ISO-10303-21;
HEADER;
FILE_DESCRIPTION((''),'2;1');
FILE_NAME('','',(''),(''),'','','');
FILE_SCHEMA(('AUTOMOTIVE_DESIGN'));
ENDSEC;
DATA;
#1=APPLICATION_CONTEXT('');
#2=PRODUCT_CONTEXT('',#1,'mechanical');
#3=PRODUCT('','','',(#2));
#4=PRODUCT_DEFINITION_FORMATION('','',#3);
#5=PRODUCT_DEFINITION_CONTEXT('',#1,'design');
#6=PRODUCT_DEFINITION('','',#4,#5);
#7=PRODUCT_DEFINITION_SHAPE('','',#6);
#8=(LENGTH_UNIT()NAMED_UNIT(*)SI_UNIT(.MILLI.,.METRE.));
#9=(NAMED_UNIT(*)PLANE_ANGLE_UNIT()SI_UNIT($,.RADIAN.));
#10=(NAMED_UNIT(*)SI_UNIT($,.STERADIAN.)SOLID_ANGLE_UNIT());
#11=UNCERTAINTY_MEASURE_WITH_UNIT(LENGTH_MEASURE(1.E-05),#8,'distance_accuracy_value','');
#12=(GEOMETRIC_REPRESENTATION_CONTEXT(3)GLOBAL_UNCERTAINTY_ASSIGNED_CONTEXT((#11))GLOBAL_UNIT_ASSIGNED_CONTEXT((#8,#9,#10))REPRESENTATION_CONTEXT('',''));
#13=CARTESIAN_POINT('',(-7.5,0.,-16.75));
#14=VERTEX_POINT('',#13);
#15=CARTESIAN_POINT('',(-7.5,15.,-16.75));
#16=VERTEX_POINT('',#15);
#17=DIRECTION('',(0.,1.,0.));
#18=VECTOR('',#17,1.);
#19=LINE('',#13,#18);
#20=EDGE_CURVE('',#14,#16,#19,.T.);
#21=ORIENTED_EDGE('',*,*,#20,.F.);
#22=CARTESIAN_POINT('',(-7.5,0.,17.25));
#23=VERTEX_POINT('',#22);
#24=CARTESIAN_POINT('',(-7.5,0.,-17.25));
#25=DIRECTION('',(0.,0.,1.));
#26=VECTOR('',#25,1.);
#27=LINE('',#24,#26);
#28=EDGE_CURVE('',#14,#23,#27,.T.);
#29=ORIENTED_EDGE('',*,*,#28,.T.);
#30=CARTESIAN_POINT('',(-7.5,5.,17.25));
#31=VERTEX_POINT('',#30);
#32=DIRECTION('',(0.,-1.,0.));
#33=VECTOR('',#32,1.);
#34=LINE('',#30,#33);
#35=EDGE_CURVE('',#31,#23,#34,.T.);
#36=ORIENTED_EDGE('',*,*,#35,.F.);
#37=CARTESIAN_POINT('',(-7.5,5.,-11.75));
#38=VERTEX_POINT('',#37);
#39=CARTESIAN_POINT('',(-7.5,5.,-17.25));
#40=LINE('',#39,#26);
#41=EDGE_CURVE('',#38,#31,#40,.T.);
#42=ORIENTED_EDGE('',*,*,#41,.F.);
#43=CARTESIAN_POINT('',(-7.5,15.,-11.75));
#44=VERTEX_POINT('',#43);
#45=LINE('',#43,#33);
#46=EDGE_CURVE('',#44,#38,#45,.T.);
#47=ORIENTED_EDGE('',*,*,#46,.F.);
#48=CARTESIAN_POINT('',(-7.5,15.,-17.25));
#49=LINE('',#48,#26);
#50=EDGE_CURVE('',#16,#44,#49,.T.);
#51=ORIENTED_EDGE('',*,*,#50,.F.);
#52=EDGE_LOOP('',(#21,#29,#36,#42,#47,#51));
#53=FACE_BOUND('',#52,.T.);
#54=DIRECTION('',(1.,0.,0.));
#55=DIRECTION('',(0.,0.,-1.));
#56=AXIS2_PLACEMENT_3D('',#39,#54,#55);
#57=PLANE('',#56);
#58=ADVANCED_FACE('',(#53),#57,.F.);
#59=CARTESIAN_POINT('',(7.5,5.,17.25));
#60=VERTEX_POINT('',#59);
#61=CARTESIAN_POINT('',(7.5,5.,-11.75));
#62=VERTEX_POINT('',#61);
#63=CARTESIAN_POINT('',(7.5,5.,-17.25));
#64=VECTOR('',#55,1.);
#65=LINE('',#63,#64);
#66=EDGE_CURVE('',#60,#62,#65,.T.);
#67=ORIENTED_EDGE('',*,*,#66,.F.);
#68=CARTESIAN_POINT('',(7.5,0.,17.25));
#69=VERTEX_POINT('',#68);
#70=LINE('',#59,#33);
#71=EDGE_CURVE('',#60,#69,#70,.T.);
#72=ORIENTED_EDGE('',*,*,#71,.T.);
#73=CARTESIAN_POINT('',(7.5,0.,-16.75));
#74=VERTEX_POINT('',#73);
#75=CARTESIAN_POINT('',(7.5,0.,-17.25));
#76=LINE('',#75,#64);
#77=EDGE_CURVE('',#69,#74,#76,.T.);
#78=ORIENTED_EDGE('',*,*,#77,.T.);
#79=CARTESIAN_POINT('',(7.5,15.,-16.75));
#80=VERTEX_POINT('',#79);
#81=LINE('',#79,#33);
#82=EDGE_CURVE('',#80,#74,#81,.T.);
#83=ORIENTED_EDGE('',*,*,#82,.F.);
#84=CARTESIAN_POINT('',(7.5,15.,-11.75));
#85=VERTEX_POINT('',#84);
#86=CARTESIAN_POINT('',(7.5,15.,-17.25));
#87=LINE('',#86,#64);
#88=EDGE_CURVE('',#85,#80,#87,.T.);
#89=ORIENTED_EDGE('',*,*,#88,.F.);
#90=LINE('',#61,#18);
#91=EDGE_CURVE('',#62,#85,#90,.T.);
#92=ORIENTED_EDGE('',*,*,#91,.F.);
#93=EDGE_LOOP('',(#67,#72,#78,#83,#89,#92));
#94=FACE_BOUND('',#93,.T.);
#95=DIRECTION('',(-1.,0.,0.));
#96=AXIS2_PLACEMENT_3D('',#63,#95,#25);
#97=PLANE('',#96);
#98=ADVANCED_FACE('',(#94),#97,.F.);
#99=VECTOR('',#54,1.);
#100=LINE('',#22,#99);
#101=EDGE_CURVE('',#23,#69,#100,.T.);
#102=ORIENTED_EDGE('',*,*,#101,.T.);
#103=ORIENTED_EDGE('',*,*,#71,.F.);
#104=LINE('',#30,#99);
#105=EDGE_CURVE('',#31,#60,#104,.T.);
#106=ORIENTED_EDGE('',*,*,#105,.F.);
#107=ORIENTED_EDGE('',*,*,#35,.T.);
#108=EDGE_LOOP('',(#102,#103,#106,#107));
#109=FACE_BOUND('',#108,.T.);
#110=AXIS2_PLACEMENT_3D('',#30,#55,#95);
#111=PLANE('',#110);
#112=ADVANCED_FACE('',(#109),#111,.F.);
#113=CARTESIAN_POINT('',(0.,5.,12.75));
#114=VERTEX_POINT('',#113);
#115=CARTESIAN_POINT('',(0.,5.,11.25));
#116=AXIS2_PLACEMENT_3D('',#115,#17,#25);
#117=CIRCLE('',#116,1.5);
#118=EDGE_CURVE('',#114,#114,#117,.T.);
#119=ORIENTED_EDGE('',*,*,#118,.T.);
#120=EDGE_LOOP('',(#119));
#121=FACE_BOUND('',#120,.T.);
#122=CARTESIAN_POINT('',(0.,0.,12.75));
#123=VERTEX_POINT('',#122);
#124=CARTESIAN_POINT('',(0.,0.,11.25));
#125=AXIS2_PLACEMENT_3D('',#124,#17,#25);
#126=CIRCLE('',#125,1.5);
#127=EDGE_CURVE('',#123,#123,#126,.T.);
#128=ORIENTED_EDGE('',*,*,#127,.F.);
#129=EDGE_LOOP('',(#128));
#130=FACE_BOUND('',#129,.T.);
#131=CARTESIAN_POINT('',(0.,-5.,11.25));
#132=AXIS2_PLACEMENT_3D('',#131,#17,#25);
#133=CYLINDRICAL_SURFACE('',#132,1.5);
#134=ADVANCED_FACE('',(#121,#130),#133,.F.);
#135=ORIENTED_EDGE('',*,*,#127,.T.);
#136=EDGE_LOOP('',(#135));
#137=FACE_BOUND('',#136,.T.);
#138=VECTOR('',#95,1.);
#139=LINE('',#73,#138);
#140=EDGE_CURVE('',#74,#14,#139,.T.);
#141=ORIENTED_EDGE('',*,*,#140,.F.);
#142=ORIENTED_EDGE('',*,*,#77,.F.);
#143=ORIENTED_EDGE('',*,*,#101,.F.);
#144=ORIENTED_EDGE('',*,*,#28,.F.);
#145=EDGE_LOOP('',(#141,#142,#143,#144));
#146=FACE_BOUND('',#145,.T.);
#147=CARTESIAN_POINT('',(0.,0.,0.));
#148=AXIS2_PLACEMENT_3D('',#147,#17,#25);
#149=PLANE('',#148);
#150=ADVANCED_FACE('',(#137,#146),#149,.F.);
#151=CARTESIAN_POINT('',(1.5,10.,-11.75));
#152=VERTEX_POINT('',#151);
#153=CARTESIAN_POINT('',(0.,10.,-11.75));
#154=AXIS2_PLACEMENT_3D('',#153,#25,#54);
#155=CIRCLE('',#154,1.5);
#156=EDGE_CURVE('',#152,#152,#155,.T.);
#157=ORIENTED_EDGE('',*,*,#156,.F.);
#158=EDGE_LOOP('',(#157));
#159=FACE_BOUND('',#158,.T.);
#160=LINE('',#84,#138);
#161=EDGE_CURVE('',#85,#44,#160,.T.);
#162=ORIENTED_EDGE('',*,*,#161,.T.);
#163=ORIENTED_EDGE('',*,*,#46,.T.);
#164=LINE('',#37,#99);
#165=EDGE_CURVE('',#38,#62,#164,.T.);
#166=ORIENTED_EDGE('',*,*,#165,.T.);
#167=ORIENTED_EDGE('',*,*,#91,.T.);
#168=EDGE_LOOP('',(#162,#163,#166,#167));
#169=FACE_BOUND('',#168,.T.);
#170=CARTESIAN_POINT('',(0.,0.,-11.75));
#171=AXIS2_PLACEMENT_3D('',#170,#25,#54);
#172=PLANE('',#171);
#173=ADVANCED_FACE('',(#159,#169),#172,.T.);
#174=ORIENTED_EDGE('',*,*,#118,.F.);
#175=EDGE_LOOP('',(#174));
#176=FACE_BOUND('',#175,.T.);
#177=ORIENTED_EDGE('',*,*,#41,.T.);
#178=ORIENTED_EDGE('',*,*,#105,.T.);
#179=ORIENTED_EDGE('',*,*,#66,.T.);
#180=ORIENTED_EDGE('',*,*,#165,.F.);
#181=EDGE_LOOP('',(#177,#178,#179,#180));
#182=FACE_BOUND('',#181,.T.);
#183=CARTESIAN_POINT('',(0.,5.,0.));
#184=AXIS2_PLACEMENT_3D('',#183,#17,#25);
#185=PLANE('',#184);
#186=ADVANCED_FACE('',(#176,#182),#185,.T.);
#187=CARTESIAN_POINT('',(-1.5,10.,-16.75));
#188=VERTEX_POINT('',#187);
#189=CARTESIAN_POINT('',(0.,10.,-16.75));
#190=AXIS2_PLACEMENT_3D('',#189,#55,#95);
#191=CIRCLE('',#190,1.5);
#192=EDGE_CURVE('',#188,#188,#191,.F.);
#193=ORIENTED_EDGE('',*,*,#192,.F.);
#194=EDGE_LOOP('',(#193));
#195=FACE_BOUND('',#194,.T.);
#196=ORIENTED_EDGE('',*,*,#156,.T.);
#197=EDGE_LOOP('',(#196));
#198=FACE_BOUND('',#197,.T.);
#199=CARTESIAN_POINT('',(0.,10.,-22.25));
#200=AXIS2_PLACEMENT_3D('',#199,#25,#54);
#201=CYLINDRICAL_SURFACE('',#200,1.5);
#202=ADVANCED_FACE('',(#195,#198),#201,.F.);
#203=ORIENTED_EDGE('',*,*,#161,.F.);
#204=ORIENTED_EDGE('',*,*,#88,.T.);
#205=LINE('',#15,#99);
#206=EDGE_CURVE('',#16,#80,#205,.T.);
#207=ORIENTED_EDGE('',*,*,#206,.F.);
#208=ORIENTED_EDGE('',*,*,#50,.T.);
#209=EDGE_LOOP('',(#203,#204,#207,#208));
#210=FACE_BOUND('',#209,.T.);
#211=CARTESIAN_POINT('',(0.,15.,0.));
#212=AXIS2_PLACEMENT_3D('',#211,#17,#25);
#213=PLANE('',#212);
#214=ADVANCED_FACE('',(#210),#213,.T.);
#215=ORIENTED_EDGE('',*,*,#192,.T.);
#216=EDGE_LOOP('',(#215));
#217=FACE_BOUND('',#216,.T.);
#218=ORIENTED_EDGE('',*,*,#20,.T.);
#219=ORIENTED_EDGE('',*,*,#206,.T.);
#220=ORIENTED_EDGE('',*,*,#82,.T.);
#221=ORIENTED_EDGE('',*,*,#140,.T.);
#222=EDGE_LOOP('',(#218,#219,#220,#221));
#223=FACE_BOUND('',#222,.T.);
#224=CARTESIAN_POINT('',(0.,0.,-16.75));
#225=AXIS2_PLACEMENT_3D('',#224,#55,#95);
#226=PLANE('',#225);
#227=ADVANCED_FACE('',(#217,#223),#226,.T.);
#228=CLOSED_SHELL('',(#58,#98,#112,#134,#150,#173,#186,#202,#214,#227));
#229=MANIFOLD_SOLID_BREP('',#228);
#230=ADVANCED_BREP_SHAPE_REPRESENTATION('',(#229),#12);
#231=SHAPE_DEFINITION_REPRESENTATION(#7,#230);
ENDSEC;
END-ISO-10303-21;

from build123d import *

# Parameters (mm, degrees)
SKETCH1_W      = 15
SKETCH1_H      = 34.5
EXTRUDE1_DEPTH = 5
SKETCH2_W      = 15
SKETCH2_H      = 5
EXTRUDE2_DEPTH = 10
SKETCH3_R      = 1.5
EXTRUDE3_DEPTH = 10
SKETCH4_R      = 1.5
EXTRUDE4_DEPTH = 10
SKETCH5_W      = 15
SKETCH5_H      = 15
EXTRUDE5_DEPTH = 0.5
EXTRUDE6_START = 0.5
SKETCH6_W      = 15
SKETCH6_H      = 10
SKETCH6_R      = 1.5
EXTRUDE6_DEPTH = 0.5


with BuildPart() as part:
    # Sketch1 → Extrude1 (new body)
    with BuildSketch(Plane(origin=(0, 0, 0), x_dir=(1, 0, 0), z_dir=(0, 1, 0))):
        Rectangle(SKETCH1_W, SKETCH1_H)
    extrude(amount=EXTRUDE1_DEPTH)

    # Sketch2 → Extrude2 (add)
    with BuildSketch(Plane(origin=(0, 5, 0), x_dir=(1, 0, 0), z_dir=(0, 1, 0))):
        with Locations((0, 14.75)):
            Rectangle(SKETCH2_W, SKETCH2_H)
    extrude(amount=EXTRUDE2_DEPTH)

    # Sketch3 → Extrude3 (cut)
    with BuildSketch(Plane(origin=(0, 5, 0), x_dir=(1, 0, 0), z_dir=(0, 1, 0))):
        with Locations(Location((0, -11.25, 0), (0, 0, 270))):
            Circle(SKETCH3_R)
    extrude(amount=-EXTRUDE3_DEPTH, mode=Mode.SUBTRACT)

    # Sketch4 → Extrude4 (cut)
    with BuildSketch(Plane.XY.offset(-12.25)):
        with Locations((0, 10)):
            Circle(SKETCH4_R)
    extrude(amount=-EXTRUDE4_DEPTH, mode=Mode.SUBTRACT)

    # Sketch5 → Extrude5 (cut)
    with BuildSketch(Plane(origin=(0, 0, -17.25), x_dir=(-1, 0, 0), z_dir=(0, 0, -1))):
        with Locations((0, 7.5)):
            Rectangle(SKETCH5_W, SKETCH5_H)
    extrude(amount=-EXTRUDE5_DEPTH, mode=Mode.SUBTRACT)

    # Sketch6 → Extrude6 (add)
    with BuildSketch(Plane.XY.offset(-12.25).offset(EXTRUDE6_START)):
        with Locations((0, 10)):
            Rectangle(SKETCH6_W, SKETCH6_H)
        with Locations((0, 10)):
            Circle(SKETCH6_R, mode=Mode.SUBTRACT)
    extrude(amount=-EXTRUDE6_DEPTH)


solid = part.part
